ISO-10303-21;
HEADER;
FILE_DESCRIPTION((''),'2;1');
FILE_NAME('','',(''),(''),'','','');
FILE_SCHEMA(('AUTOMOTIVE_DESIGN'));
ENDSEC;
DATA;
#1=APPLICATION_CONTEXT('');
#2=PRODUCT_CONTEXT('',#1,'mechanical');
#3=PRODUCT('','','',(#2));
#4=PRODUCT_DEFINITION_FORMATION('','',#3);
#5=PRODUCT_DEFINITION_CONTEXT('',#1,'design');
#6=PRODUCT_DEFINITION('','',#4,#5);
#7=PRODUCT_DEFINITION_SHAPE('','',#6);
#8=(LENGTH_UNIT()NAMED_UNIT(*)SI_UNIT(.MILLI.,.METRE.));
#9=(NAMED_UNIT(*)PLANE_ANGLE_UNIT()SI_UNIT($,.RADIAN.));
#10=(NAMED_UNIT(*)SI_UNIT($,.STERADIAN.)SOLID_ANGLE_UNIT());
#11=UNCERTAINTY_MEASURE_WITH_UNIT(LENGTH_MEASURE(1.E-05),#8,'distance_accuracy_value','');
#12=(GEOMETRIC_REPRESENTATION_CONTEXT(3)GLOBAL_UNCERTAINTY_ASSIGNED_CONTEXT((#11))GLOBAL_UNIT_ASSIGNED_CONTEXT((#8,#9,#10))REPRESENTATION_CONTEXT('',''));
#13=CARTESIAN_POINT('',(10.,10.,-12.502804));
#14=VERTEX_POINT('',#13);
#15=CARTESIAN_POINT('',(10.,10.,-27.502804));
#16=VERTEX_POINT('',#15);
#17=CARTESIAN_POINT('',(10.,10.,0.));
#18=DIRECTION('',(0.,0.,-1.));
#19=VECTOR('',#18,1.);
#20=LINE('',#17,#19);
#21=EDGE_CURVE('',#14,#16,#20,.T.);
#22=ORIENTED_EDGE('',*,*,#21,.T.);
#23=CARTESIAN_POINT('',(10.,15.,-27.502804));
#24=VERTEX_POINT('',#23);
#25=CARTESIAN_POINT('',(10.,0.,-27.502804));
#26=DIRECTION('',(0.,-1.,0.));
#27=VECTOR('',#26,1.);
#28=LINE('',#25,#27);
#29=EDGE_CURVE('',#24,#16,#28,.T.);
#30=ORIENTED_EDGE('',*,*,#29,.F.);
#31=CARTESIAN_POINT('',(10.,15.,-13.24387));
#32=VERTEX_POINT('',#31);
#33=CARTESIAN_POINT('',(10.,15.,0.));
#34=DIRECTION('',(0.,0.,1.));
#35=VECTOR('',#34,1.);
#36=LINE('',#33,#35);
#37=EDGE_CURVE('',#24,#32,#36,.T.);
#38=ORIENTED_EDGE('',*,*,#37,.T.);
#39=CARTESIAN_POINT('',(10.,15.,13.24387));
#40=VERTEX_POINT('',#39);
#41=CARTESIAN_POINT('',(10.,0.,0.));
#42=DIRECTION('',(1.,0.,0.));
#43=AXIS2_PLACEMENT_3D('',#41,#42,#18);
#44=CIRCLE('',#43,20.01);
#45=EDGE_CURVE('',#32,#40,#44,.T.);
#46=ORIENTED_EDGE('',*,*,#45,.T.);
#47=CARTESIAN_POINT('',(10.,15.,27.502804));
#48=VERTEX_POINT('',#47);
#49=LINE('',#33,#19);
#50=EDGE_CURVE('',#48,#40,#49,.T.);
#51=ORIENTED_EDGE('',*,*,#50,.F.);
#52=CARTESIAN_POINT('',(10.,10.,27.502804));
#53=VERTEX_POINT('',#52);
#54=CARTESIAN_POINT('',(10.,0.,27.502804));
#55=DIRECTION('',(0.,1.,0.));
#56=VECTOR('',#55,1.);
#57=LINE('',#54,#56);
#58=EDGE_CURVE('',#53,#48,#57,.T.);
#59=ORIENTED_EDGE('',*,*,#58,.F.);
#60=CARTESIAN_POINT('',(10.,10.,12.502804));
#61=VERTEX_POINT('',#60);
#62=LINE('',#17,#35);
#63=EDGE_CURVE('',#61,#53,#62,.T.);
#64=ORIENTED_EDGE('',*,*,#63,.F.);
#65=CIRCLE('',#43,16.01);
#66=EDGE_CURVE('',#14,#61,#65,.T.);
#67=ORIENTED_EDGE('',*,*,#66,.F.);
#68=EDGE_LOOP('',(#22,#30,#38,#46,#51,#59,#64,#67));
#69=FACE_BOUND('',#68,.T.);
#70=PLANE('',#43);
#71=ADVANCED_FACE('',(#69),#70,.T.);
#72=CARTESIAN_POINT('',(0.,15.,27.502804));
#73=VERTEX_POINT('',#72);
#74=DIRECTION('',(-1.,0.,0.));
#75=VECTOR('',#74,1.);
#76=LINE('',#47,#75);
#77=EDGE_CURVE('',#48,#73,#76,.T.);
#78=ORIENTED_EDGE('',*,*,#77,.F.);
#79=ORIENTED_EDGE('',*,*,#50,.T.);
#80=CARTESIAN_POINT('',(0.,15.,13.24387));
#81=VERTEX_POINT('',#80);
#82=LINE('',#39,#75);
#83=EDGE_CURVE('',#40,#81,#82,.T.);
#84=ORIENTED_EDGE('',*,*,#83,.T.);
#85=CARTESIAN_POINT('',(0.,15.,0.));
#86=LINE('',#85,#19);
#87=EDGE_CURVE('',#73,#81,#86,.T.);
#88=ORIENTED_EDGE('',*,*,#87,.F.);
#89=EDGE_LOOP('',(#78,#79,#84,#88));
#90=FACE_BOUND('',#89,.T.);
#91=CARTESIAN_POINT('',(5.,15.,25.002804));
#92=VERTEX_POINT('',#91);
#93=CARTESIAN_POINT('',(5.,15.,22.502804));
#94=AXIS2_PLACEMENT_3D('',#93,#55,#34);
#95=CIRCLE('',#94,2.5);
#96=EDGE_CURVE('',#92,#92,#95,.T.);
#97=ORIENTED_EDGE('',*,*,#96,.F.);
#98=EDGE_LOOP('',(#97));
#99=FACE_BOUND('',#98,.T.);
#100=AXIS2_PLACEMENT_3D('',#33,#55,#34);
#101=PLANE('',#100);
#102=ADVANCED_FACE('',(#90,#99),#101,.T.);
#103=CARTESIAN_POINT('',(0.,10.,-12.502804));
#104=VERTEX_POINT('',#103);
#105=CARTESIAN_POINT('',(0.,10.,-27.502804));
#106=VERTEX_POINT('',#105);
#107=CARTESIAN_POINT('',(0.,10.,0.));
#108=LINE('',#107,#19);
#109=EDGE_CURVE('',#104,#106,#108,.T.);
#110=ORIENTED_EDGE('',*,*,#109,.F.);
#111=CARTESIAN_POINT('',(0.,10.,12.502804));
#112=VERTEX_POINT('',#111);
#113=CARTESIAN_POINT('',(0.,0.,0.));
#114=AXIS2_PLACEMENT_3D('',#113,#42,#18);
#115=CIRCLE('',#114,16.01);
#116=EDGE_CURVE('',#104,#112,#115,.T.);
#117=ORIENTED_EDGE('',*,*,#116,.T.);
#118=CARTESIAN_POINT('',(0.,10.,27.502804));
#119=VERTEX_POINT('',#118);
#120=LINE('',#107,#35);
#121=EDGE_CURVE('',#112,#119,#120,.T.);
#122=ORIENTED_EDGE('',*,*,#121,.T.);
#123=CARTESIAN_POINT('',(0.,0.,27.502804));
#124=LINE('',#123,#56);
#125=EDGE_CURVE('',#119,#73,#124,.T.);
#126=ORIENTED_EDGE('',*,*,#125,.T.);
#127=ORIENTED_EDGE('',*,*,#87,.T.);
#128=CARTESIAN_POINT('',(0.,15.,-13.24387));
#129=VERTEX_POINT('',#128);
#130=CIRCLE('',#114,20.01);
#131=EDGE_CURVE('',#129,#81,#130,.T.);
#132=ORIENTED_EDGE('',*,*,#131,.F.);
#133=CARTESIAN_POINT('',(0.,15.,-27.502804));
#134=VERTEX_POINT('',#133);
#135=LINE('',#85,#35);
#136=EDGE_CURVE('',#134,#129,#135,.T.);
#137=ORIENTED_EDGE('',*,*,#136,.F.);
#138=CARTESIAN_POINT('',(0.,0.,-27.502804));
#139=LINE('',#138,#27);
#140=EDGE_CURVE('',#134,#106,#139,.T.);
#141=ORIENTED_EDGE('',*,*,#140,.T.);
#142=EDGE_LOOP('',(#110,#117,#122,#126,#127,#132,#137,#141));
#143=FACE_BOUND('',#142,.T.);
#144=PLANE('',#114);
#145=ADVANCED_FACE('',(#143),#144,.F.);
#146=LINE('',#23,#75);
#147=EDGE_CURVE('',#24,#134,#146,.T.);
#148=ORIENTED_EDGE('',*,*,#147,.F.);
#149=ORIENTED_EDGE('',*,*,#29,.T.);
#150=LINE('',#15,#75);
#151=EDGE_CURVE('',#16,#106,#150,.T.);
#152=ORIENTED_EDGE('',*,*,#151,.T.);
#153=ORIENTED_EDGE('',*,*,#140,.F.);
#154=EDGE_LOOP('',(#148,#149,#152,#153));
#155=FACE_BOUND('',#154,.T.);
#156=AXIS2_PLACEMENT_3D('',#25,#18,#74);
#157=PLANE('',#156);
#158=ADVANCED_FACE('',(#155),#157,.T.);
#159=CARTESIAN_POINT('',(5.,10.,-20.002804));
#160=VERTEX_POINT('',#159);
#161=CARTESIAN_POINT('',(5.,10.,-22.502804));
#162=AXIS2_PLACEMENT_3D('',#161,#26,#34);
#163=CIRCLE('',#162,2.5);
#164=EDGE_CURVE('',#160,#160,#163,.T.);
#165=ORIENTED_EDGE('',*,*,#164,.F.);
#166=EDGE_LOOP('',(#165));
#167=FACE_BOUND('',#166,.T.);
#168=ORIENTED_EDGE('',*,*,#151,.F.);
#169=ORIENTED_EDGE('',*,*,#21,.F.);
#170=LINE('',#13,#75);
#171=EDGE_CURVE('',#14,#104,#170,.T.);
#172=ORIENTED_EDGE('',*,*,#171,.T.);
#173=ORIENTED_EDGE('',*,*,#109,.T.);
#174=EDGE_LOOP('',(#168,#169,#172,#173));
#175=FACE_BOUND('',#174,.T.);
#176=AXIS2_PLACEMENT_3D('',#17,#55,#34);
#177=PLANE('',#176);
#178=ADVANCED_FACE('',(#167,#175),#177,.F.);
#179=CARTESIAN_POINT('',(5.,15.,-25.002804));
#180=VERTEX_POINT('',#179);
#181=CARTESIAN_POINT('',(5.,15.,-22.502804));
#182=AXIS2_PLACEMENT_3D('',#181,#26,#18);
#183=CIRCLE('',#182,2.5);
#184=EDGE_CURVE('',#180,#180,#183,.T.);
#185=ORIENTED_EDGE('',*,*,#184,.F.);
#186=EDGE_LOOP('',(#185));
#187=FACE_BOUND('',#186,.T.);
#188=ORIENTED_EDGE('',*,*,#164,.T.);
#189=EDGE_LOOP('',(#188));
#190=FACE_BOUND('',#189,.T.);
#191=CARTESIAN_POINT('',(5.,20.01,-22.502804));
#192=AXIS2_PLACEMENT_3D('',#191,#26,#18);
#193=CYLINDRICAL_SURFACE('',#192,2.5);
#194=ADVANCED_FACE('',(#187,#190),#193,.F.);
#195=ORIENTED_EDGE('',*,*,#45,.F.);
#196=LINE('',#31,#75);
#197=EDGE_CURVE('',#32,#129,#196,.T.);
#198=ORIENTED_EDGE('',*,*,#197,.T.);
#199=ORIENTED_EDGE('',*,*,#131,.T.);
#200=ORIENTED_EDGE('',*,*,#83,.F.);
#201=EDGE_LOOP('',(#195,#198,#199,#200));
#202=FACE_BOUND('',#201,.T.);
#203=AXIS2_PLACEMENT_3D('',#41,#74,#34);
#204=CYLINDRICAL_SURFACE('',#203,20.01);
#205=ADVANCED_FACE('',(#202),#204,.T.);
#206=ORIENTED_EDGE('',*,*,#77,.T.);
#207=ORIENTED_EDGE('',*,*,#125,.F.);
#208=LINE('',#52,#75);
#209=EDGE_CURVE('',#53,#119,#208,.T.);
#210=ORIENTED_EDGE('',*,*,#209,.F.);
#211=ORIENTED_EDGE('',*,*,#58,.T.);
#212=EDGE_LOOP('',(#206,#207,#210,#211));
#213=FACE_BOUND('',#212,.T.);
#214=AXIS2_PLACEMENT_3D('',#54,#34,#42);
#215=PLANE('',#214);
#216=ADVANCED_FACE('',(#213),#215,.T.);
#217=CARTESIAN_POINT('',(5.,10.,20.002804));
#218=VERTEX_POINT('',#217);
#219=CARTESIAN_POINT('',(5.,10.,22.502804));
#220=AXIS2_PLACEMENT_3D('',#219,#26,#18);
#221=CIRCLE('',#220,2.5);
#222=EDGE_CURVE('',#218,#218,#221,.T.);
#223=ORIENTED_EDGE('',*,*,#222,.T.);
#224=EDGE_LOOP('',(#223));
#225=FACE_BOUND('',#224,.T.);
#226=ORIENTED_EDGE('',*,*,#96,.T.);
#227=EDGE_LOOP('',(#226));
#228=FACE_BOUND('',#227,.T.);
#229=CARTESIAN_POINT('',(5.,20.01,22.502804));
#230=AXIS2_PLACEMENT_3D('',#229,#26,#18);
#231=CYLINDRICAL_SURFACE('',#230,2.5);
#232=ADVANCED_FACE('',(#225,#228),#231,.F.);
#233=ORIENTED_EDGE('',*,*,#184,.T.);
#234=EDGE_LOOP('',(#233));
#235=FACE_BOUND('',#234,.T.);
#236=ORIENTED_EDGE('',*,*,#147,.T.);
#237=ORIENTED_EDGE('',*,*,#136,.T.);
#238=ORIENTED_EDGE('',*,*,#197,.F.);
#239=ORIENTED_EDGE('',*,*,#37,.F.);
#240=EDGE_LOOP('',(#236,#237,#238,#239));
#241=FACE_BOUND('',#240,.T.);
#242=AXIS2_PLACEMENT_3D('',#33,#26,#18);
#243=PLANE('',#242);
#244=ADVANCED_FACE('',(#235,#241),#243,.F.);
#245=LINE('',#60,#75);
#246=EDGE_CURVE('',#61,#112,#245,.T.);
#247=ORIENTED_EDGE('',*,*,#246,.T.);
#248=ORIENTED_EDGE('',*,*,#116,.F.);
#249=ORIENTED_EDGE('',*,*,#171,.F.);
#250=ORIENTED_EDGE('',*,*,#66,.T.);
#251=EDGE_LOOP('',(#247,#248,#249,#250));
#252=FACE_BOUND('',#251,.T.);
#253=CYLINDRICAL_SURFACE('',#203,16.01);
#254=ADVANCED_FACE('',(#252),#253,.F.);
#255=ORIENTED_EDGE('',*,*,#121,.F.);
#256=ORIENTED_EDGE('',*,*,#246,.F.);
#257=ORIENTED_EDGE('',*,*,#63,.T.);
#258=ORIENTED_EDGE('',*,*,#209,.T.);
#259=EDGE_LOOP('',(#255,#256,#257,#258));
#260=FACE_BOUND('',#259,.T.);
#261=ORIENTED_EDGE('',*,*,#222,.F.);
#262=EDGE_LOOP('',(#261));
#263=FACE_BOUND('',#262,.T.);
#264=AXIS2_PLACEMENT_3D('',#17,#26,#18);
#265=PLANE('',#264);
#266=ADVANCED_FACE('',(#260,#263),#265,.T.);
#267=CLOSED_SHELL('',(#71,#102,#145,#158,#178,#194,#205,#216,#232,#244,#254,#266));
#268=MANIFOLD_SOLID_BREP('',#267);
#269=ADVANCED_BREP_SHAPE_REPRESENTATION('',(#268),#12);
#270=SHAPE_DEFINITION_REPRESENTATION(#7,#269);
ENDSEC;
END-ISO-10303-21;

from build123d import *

# Parameters (mm, degrees)
BASE_DEPTH           = 10
ESQUISSE5_R          = 2.5
VIDE_ACCES_VIS_DEPTH = 31.929020524


with BuildPart() as part:
    # Esquisse2 → BASE (new body)
    with BuildSketch(Plane(origin=(0, 0, 0), x_dir=(0, 0, -1), z_dir=(1, 0, 0))):
        with BuildLine():
            Line((-27.502803686, 10), (-14.361406616, 10))
            Line((-14.361406616, 10), (-12.502803686, 10))
            ThreePointArc((-12.502803686, 10), (0, 16.01), (12.502803686, 10))
            Line((12.502803686, 10), (14.361406616, 10))
            Line((14.361406616, 10), (22.502803686, 10))
            Line((22.502803686, 10), (27.502803686, 10))
            Line((27.502803686, 10), (27.502803686, 15))
            Line((27.502803686, 15), (13.24387028, 15))
            ThreePointArc((13.24387028, 15), (0, 20.01), (-13.24387028, 15))
            Line((-13.24387028, 15), (-27.502803686, 15))
            Line((-27.502803686, 15), (-27.502803686, 10))
        make_face()
    extrude(amount=BASE_DEPTH)

    # Esquisse5 → VIDE ACCES VIS (cut, through all)
    with BuildSketch(Plane.XZ.offset(-10)):
        with Locations(Location((5, 22.502803686, 0), (0, 0, 270))):
            Circle(ESQUISSE5_R)
        with Locations(Location((5, -22.502803686, 0), (0, 0, 270))):
            Circle(ESQUISSE5_R)
    extrude(amount=-VIDE_ACCES_VIS_DEPTH, mode=Mode.SUBTRACT)


solid = part.part
